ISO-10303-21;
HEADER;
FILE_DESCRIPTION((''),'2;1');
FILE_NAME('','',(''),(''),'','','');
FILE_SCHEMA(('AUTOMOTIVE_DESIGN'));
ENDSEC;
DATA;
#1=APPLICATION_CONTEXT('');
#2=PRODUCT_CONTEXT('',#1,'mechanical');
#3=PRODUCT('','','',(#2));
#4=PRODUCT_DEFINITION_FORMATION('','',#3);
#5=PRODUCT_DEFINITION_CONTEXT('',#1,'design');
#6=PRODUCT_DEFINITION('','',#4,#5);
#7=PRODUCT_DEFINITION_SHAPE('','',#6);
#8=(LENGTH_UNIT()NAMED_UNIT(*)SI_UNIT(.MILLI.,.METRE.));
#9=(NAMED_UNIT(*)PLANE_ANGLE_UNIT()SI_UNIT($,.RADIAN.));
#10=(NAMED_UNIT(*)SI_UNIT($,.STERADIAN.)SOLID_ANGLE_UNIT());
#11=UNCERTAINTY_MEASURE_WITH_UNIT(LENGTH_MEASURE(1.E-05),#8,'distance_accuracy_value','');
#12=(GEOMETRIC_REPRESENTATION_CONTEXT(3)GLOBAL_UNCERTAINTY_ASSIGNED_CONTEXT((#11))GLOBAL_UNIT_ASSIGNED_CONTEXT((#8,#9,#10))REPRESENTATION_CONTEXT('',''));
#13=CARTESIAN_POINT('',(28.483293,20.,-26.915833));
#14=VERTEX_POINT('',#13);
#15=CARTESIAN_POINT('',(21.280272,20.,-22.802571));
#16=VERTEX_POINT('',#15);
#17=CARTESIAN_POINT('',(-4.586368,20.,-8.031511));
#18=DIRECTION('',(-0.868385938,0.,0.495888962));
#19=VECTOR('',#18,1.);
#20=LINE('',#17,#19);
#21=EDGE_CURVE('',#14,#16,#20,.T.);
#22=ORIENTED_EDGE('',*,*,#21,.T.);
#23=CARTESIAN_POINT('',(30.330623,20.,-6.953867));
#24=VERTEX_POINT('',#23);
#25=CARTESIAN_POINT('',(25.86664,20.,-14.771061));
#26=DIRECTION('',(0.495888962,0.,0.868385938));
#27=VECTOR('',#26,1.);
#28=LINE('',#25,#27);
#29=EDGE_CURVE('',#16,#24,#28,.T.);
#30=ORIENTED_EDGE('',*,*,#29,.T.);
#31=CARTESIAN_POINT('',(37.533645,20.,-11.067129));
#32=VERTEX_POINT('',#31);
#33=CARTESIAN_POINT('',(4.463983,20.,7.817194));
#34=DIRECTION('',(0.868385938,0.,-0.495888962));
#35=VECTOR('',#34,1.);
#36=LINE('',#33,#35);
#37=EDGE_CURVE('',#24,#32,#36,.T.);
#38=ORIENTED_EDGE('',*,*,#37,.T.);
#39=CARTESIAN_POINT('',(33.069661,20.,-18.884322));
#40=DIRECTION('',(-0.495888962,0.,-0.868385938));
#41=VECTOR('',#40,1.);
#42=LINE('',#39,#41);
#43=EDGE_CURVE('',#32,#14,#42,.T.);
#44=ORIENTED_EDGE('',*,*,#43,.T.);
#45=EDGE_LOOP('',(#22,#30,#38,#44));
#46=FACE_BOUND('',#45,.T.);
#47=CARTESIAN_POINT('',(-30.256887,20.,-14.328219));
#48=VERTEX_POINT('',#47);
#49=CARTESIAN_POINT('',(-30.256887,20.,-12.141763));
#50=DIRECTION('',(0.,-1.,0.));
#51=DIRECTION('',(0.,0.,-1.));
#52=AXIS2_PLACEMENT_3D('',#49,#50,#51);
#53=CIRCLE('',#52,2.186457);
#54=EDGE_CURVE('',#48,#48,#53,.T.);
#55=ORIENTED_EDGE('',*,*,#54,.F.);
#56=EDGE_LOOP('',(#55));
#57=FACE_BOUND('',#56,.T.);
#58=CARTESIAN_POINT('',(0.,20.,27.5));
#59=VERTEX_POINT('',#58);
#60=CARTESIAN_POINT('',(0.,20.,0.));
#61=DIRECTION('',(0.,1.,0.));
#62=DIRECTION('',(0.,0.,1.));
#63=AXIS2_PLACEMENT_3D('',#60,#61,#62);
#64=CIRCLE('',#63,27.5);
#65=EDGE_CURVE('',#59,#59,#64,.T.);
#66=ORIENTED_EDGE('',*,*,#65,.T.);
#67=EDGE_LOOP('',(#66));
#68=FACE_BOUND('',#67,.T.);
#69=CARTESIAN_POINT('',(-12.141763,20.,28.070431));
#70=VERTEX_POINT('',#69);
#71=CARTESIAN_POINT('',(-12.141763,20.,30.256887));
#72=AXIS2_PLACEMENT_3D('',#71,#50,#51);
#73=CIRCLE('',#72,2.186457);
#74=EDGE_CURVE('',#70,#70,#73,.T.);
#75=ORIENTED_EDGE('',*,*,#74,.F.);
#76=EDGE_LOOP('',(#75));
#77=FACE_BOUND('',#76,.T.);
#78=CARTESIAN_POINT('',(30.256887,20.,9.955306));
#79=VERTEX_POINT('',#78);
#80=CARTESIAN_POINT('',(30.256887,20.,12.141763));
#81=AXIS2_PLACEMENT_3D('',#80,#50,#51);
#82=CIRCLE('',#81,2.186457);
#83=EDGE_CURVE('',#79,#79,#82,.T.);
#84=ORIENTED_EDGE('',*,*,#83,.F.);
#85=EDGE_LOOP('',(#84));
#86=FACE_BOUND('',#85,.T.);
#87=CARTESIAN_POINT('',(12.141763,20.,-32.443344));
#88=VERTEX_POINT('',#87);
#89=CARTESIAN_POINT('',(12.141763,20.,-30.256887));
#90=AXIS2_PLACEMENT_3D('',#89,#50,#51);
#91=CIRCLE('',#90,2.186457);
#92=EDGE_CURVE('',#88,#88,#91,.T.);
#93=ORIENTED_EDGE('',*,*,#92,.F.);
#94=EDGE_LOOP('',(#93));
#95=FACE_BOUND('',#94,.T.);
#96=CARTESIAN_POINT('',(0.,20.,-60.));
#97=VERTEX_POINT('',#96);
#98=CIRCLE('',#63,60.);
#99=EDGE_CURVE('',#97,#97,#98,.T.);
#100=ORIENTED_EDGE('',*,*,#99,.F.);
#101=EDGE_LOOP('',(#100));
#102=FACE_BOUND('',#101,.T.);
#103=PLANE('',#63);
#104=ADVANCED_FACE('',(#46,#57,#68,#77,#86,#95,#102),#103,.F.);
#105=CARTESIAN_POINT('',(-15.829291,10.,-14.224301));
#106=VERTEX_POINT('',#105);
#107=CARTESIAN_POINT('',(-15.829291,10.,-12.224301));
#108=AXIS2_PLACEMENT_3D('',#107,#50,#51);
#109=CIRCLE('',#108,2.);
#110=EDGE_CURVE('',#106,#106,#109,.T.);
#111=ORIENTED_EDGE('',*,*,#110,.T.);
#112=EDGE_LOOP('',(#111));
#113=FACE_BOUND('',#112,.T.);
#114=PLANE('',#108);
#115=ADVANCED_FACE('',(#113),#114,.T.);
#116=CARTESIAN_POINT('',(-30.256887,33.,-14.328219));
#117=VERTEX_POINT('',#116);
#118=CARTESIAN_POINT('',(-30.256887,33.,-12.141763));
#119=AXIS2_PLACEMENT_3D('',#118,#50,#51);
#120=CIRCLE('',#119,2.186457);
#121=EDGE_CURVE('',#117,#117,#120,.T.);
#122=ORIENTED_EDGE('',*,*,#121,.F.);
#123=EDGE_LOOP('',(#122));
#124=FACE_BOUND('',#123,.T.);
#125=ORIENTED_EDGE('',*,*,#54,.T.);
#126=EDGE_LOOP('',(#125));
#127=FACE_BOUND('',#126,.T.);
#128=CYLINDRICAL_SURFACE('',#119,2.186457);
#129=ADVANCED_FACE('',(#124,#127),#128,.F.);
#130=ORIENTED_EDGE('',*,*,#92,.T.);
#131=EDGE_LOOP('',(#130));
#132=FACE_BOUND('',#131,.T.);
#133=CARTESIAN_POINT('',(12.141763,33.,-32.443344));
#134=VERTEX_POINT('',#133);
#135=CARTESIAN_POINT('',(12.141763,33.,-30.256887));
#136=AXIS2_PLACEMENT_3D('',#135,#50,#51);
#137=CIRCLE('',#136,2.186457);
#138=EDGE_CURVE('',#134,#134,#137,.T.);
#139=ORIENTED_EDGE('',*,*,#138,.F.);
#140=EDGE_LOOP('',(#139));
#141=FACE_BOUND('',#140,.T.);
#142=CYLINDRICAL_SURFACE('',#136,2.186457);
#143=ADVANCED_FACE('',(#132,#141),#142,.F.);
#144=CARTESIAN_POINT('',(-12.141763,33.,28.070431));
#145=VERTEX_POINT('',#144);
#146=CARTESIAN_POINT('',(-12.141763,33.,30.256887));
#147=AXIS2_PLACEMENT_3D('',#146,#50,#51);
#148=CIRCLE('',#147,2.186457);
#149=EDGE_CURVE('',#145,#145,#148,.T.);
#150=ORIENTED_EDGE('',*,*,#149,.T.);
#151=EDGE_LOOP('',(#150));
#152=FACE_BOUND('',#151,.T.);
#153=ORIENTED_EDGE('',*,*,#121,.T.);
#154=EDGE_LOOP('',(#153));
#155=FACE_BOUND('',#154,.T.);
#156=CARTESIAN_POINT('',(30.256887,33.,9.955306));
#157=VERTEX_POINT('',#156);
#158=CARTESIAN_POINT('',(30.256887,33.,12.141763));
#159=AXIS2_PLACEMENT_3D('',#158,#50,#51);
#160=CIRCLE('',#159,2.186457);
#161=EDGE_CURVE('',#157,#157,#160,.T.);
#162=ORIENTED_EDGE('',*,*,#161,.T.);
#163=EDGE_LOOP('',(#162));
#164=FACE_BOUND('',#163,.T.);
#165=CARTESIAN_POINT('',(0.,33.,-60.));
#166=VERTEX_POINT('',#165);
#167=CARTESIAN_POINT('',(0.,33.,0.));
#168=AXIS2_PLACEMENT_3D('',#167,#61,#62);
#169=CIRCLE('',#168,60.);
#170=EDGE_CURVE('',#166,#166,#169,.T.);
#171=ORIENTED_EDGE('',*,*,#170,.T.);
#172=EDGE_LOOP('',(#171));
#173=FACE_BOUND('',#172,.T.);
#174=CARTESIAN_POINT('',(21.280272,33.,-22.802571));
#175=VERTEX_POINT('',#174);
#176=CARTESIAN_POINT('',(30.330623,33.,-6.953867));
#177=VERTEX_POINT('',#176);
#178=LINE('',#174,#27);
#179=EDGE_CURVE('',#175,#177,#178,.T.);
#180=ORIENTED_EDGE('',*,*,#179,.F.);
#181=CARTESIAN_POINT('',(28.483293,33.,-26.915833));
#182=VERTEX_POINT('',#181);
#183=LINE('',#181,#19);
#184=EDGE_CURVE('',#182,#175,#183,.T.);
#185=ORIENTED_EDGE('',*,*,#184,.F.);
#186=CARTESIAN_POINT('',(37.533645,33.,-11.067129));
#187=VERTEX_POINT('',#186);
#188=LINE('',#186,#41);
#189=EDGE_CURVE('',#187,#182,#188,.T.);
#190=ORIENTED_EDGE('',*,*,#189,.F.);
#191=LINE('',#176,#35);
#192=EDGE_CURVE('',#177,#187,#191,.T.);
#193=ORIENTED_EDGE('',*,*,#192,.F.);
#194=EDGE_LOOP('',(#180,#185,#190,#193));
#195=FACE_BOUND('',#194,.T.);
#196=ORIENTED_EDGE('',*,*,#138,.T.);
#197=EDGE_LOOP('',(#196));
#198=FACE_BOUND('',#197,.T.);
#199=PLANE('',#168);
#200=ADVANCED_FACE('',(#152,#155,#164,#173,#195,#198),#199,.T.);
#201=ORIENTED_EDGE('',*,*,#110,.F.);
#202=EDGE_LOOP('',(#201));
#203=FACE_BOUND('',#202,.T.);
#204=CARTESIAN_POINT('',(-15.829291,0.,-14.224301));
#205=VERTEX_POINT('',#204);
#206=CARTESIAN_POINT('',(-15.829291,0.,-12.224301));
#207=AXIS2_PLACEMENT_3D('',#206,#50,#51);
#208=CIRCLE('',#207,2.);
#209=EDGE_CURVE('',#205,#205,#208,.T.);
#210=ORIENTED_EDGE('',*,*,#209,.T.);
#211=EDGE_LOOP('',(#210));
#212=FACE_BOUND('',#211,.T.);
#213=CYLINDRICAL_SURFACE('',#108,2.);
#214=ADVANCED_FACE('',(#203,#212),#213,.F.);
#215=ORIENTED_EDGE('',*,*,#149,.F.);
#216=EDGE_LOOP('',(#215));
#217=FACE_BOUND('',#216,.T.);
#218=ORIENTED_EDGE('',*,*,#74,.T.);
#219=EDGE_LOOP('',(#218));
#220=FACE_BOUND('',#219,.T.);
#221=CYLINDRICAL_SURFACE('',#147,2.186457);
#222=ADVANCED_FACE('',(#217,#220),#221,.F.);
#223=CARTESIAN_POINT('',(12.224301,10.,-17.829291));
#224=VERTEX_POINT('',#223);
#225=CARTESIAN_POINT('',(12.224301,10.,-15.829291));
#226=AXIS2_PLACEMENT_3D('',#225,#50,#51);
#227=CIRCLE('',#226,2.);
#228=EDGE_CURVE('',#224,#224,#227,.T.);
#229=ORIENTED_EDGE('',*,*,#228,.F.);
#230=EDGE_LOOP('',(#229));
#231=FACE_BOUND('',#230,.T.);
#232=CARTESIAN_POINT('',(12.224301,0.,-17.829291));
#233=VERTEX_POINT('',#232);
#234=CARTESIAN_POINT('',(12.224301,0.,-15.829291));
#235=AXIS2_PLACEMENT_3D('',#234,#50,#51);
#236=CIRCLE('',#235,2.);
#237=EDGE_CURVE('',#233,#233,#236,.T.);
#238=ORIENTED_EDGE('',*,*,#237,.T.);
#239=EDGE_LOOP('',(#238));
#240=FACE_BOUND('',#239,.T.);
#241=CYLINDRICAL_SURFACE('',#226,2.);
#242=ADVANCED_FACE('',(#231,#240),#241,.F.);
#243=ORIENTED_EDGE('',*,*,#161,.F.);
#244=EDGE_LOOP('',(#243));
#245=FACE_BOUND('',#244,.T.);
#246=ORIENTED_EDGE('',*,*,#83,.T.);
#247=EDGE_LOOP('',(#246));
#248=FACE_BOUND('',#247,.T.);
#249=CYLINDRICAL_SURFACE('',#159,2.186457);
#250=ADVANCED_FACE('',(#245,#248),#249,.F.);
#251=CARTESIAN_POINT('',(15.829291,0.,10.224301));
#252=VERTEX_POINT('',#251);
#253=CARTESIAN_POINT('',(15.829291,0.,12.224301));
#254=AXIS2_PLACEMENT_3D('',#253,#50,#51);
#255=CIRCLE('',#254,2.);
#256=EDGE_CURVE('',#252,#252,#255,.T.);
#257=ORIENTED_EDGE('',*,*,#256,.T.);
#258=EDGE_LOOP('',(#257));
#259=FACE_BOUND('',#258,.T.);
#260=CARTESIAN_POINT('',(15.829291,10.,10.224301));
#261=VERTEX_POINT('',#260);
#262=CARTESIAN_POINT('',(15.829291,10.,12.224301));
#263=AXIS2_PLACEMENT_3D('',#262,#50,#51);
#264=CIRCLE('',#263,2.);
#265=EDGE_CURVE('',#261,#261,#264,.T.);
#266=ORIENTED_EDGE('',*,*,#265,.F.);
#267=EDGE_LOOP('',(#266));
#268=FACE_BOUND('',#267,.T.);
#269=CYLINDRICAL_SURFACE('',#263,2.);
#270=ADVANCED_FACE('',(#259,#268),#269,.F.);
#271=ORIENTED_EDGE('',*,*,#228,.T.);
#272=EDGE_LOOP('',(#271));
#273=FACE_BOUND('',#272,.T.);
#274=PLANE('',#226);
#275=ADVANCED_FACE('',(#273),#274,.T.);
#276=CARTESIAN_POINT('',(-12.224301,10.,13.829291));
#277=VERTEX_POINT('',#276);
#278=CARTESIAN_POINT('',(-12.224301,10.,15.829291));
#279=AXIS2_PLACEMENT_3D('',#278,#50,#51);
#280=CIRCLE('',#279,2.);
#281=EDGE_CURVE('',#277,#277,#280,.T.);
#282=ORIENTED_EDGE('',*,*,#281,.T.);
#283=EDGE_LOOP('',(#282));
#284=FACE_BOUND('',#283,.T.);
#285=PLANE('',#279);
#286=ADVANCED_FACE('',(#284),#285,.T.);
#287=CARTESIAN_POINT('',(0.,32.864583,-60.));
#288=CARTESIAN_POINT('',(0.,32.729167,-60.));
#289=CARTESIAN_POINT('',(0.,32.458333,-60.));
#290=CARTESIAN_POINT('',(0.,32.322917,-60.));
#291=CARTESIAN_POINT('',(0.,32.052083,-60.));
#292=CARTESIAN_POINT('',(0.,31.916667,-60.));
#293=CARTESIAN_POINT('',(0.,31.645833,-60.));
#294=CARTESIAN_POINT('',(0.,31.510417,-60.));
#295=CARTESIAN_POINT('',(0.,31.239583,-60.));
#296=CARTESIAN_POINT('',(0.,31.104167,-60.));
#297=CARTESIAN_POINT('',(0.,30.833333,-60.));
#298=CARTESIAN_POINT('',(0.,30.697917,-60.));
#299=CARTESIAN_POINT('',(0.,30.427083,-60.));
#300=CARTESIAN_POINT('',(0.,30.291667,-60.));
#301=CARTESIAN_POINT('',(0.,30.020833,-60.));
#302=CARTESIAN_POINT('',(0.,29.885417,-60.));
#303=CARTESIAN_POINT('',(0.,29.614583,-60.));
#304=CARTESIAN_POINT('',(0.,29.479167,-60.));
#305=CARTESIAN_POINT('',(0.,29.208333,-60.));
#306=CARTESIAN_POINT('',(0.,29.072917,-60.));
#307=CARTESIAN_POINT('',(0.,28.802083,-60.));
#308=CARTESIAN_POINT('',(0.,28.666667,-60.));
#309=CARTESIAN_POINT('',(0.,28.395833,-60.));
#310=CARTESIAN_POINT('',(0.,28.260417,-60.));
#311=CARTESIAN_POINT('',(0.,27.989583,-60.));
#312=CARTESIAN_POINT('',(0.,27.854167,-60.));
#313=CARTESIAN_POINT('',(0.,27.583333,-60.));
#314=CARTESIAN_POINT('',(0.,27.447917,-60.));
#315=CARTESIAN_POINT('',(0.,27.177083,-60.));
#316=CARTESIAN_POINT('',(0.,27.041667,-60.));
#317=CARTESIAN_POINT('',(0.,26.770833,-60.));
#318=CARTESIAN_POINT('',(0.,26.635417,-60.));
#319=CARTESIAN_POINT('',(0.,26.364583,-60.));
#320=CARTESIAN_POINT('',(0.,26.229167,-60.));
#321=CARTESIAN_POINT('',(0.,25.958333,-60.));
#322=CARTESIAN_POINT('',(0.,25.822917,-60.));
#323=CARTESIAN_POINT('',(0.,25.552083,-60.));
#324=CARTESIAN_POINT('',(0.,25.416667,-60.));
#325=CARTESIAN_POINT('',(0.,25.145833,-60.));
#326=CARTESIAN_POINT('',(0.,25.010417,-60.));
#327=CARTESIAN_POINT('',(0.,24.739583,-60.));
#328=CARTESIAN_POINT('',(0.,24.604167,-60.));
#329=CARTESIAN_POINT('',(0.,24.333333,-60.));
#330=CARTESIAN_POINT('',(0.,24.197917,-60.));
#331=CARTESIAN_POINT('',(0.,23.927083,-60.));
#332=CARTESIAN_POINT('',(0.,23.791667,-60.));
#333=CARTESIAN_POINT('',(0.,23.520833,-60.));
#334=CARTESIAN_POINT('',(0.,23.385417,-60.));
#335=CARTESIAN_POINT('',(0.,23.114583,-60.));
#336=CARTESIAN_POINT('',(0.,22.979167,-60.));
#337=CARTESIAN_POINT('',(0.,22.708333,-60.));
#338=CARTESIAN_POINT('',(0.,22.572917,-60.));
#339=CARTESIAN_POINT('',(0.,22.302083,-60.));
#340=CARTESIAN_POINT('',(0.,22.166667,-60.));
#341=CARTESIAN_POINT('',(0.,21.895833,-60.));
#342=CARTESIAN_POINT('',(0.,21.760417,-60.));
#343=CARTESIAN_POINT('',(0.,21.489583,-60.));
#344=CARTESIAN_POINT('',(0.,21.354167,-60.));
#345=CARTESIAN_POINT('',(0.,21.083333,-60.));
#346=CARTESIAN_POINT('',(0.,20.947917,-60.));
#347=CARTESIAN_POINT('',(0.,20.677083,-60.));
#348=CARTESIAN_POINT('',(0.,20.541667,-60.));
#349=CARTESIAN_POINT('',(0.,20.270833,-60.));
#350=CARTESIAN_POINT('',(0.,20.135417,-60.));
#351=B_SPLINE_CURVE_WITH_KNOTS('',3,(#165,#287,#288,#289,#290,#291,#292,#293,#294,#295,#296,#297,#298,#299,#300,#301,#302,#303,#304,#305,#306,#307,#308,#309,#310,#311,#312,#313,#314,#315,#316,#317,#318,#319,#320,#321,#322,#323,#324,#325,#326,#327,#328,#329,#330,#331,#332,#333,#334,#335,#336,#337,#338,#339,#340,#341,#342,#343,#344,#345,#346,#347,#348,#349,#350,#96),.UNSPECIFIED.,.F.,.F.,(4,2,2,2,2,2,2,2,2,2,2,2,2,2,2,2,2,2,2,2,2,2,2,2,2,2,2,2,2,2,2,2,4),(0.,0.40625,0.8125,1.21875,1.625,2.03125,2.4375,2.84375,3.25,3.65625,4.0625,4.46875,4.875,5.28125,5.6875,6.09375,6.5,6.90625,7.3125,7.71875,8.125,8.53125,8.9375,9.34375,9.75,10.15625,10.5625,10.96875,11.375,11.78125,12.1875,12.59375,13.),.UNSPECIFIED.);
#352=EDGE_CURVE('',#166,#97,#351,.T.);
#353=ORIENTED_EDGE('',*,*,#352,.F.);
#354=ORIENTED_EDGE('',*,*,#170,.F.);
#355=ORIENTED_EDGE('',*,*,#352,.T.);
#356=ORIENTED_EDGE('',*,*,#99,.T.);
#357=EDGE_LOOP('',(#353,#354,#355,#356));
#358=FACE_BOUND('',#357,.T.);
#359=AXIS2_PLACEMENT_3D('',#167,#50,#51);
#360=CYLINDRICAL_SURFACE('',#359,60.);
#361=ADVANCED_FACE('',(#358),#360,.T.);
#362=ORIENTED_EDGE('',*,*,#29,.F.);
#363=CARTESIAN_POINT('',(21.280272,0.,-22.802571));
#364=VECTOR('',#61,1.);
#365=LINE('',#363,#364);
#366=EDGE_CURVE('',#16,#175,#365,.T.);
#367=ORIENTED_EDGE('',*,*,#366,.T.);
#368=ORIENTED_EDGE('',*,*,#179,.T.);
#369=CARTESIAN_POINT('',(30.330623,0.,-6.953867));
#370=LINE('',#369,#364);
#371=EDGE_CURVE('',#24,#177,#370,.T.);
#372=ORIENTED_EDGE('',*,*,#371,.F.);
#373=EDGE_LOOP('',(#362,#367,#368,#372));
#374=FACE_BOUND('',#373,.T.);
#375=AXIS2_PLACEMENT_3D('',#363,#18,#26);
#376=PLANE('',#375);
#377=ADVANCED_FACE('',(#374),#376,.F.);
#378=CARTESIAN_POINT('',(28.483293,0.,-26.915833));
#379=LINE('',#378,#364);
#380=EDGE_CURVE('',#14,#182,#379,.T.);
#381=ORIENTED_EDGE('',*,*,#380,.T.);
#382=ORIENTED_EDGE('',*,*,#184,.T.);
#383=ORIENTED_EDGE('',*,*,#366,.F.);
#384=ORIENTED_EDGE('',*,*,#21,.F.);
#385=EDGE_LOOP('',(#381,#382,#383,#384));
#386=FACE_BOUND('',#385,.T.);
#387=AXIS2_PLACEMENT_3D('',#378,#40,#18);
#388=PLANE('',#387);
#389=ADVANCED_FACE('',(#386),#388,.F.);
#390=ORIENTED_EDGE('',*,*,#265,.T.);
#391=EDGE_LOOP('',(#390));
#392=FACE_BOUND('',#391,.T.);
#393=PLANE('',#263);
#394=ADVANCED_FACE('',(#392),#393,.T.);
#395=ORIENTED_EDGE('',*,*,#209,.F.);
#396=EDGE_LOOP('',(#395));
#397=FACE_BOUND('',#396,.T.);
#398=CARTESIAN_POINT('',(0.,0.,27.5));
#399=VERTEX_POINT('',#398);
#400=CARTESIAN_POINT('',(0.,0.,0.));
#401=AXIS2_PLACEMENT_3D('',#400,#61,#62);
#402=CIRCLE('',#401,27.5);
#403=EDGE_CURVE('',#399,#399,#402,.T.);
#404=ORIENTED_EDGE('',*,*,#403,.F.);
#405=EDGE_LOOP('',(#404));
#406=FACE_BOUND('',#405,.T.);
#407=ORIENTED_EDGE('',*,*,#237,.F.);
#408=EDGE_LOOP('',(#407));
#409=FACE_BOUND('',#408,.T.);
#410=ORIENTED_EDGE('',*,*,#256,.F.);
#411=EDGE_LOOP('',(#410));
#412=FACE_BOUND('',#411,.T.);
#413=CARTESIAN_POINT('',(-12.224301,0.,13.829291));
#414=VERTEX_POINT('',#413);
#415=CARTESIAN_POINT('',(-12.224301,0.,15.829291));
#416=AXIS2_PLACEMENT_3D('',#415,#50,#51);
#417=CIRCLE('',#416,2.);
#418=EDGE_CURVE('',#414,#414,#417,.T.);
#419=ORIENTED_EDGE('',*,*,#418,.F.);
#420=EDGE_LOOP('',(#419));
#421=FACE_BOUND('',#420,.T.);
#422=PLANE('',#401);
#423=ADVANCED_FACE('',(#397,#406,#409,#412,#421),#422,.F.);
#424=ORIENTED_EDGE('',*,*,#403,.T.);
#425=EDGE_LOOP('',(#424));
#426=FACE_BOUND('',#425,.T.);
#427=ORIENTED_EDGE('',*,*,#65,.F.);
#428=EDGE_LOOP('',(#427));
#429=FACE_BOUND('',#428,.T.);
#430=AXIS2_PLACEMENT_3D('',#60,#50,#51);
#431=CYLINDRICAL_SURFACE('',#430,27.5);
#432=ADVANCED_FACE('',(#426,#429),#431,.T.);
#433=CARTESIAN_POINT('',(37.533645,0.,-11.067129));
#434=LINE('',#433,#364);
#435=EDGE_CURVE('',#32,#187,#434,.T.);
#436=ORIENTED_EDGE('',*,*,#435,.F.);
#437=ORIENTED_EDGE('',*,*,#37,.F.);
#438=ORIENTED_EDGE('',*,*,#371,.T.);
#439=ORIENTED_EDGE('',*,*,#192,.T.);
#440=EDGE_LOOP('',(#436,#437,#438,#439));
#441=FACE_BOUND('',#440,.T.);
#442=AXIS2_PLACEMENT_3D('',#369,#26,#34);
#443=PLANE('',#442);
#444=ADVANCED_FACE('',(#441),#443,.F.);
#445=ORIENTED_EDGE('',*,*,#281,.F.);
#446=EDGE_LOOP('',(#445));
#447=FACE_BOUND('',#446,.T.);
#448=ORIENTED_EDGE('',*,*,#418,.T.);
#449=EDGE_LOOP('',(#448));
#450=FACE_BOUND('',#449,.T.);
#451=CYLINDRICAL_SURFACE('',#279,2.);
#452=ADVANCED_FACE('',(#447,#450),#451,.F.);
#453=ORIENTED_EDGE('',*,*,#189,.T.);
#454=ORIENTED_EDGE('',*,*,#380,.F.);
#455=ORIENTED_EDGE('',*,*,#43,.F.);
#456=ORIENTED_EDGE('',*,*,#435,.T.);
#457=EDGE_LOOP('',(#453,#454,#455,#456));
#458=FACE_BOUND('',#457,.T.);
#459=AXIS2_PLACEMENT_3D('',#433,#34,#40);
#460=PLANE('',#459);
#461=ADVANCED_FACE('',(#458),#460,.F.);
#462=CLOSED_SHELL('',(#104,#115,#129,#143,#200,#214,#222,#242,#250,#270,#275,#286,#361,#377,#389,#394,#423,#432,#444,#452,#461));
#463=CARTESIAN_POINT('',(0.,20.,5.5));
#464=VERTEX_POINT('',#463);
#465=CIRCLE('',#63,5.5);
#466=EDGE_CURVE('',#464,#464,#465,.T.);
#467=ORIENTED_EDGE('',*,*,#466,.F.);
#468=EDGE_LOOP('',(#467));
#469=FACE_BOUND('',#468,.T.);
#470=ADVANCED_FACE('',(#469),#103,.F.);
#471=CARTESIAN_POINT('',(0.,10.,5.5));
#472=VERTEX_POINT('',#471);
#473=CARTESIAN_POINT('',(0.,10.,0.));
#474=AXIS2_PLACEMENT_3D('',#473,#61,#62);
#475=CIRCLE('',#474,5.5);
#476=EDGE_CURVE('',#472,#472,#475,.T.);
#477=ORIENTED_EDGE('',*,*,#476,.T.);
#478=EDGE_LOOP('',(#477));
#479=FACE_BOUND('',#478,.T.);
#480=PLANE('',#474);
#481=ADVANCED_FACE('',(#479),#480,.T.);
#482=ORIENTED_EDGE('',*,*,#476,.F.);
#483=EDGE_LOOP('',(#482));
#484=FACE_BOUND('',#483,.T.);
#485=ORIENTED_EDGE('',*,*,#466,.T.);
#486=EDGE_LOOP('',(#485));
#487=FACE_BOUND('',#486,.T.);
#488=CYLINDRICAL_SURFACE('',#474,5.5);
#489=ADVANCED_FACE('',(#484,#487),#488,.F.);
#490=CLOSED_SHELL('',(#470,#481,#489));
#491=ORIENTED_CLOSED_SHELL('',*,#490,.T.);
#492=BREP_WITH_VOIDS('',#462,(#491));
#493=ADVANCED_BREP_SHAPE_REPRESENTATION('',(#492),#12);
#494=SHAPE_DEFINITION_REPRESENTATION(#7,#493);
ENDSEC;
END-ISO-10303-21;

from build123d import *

# Parameters (mm, degrees)
CROQUIS1_R              = 27.5
SALIENTE_EXTRUIR1_DEPTH = 20
CROQUIS3_R              = 5.5
CORTAR_EXTRUIR1_DEPTH   = 10
CROQUIS4_R              = 2
CORTAR_EXTRUIR2_DEPTH   = 10
CROQUIS5_R              = 60
SALIENTE_EXTRUIR2_DEPTH = 13
CORTAR_EXTRUIR3_DEPTH   = 92.043945433
CROQUIS7_R              = 2.186456698
CORTAR_EXTRUIR4_DEPTH   = 88.177978871


with BuildPart() as part:
    # Croquis1 → Saliente-Extruir1 (new body)
    with BuildSketch(Plane(origin=(0, 0, 0), x_dir=(1, 0, 0), z_dir=(0, 1, 0))):
        with Locations(Location((0, 0, 0), (0, 0, 270))):
            Circle(CROQUIS1_R)
    extrude(amount=SALIENTE_EXTRUIR1_DEPTH)

    # Croquis3 → Cortar-Extruir1 (cut)
    with BuildSketch(Plane(origin=(0, 20, 0), x_dir=(1, 0, 0), z_dir=(0, 1, 0))):
        with Locations(Location((0, 0, 0), (0, 0, 270))):
            Circle(CROQUIS3_R)
    extrude(amount=-CORTAR_EXTRUIR1_DEPTH, mode=Mode.SUBTRACT)

    # Croquis4 → Cortar-Extruir2 (cut)
    with BuildSketch(Plane.XZ):
        with Locations(Location((12.224300889, -15.829291449, 0), (0, 0, 270))):
            Circle(CROQUIS4_R)
        with Locations(Location((-15.829291449, -12.224300889, 0), (0, 0, 270))):
            Circle(CROQUIS4_R)
        with Locations(Location((-12.224300889, 15.829291449, 0), (0, 0, 270))):
            Circle(CROQUIS4_R)
        with Locations(Location((15.829291449, 12.224300889, 0), (0, 0, 270))):
            Circle(CROQUIS4_R)
    extrude(amount=-CORTAR_EXTRUIR2_DEPTH, mode=Mode.SUBTRACT)

    # Croquis5 → Saliente-Extruir2 (add)
    with BuildSketch(Plane(origin=(0, 20, 0), x_dir=(1, 0, 0), z_dir=(0, 1, 0))):
        with Locations(Location((0, 0, 0), (0, 0, 90))):
            Circle(CROQUIS5_R)
    extrude(amount=SALIENTE_EXTRUIR2_DEPTH)

    # Croquis6 → Cortar-Extruir3 (cut, through all)
    with BuildSketch(Plane(origin=(0, 33, 0), x_dir=(1, 0, 0), z_dir=(0, 1, 0))):
        Polygon((28.483293317, 26.915833338), (21.280272026, 22.80257149), (30.330623274, 6.953866704), (37.533644565, 11.067128551), align=None)
    extrude(amount=-CORTAR_EXTRUIR3_DEPTH, mode=Mode.SUBTRACT)

    # Croquis7 → Cortar-Extruir4 (cut, through all)
    with BuildSketch(Plane.XZ.offset(-20)):
        with Locations(Location((-30.256887418, -12.141762544, 0), (0, 0, 270))):
            Circle(CROQUIS7_R)
        with Locations(Location((-12.141762544, 30.256887418, 0), (0, 0, 270))):
            Circle(CROQUIS7_R)
        with Locations(Location((30.256887418, 12.141762544, 0), (0, 0, 270))):
            Circle(CROQUIS7_R)
        with Locations(Location((12.141762544, -30.256887418, 0), (0, 0, 270))):
            Circle(CROQUIS7_R)
    extrude(amount=-CORTAR_EXTRUIR4_DEPTH, mode=Mode.SUBTRACT)


solid = part.part
